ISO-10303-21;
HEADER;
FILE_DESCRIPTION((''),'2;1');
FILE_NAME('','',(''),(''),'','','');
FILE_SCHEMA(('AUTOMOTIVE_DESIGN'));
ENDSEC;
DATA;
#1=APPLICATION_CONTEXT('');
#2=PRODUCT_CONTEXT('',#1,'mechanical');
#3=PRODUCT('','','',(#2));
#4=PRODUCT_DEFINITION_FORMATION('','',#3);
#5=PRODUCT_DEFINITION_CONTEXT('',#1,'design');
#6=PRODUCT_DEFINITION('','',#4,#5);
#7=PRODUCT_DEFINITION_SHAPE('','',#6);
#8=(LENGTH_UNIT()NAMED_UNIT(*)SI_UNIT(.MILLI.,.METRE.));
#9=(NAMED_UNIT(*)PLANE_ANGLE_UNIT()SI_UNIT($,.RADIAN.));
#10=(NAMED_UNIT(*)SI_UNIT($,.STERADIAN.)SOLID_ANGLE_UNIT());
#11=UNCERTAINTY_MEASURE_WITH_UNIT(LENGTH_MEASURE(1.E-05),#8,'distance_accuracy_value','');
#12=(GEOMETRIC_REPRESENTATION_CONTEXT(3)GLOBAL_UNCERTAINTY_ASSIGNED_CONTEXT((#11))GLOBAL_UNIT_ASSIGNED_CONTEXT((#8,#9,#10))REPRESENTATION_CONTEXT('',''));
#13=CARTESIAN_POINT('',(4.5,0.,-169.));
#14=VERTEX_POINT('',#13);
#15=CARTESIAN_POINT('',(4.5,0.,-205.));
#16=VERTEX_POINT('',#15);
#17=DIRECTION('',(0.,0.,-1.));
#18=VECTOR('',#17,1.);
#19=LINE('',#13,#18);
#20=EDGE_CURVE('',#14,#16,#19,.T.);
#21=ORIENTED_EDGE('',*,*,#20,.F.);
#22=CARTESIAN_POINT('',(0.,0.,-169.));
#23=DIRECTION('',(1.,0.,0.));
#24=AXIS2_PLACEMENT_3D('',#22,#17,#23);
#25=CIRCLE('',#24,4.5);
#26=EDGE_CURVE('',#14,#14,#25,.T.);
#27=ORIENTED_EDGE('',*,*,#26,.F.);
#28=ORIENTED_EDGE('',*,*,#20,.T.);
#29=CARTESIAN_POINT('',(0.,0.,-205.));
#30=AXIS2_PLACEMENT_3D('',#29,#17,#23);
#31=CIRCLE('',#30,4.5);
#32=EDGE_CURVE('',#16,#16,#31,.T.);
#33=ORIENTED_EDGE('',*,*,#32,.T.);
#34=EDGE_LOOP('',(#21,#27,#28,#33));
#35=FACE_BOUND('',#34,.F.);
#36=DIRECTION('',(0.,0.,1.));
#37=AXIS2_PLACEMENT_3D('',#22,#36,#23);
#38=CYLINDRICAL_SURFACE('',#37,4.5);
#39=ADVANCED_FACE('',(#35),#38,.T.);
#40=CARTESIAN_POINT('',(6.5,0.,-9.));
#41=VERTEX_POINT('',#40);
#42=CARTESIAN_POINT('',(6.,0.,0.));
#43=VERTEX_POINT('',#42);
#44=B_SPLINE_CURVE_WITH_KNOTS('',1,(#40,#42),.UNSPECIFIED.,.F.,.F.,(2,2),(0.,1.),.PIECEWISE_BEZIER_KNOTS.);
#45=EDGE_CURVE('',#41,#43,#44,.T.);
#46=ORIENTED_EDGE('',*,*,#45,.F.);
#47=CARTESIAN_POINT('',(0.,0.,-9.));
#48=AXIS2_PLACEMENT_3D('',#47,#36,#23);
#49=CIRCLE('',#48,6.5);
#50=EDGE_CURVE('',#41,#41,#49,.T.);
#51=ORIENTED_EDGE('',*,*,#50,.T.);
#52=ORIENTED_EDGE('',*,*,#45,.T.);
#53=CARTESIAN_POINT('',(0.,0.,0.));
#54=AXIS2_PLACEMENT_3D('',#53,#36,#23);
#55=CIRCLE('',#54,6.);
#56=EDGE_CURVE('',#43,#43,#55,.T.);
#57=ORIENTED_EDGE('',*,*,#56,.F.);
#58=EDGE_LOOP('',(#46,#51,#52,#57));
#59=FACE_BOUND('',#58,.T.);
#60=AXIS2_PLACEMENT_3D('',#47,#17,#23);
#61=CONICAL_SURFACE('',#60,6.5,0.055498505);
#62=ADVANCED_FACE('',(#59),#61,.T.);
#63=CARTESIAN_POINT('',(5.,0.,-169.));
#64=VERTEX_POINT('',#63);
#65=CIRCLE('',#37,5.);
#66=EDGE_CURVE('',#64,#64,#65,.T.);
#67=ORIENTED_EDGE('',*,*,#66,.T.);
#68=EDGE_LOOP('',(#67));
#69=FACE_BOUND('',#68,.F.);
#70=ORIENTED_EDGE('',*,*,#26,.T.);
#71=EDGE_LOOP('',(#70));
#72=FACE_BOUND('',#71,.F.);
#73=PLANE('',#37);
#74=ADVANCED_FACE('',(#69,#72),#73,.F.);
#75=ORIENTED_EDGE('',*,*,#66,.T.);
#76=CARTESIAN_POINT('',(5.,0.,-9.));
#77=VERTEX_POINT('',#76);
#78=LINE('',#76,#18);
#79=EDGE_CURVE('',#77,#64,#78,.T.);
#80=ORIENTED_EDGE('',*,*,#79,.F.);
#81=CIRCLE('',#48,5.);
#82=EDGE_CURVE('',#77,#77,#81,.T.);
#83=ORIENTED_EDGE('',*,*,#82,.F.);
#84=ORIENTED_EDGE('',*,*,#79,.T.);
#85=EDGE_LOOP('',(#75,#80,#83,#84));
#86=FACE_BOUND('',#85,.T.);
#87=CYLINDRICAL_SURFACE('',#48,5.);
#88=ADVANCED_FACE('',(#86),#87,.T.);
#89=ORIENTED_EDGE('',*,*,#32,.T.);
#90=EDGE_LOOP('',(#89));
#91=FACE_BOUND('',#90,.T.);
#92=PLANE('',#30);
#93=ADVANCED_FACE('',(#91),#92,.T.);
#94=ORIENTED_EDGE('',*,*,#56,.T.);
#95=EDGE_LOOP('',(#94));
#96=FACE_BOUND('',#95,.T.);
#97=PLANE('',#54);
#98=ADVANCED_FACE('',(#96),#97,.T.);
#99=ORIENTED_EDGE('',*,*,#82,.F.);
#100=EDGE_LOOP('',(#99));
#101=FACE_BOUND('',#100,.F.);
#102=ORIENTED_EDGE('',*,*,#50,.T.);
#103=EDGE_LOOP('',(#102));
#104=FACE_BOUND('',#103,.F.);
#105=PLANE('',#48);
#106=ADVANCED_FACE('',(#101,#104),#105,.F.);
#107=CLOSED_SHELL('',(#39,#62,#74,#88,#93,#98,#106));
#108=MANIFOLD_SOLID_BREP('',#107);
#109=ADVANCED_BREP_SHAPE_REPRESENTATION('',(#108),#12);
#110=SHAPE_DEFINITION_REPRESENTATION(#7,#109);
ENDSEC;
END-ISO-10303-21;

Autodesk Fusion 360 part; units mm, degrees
sketch "Sketch1" plane through (0, 0, 0) normal (0, 0, 1) x (1, 0, 0)
  circle A0 centre (0, 0) radius 6
  dimension "d1" = 12
ref_plane "WorkPlane1" through (0, 0, -9) normal (0, 0, 1) x (1, 0, 0)
sketch "Sketch3" plane through (0, 0, -9) normal (0, 0, 1) x (1, 0, 0)
  circle A0 centre (0, 0) radius 6.5
  dimension "d8" = 13
sketch "Sketch4" plane through (0, 0, -9) normal (0, 0, 1) x (1, 0, 0)
  circle A0 centre (0, 0) radius 5
  dimension "d9" = 10
loft "Loft1" add profiles "Sketch3", "Sketch1" section 1 section 2
extrude "Extrude3" add sketch "Sketch4" against normal blind 160
sketch "Sketch5" plane through (0, 0, -169) normal (0, 0, -1) x (1, 0, 0)
  circle A0 centre (0, 0) radius 5
  circle A1 centre (0, 0) radius 4.5
  dimension "d12" = 9
extrude "Extrude4" add sketch "Sketch5" along normal blind 36 contours A1
